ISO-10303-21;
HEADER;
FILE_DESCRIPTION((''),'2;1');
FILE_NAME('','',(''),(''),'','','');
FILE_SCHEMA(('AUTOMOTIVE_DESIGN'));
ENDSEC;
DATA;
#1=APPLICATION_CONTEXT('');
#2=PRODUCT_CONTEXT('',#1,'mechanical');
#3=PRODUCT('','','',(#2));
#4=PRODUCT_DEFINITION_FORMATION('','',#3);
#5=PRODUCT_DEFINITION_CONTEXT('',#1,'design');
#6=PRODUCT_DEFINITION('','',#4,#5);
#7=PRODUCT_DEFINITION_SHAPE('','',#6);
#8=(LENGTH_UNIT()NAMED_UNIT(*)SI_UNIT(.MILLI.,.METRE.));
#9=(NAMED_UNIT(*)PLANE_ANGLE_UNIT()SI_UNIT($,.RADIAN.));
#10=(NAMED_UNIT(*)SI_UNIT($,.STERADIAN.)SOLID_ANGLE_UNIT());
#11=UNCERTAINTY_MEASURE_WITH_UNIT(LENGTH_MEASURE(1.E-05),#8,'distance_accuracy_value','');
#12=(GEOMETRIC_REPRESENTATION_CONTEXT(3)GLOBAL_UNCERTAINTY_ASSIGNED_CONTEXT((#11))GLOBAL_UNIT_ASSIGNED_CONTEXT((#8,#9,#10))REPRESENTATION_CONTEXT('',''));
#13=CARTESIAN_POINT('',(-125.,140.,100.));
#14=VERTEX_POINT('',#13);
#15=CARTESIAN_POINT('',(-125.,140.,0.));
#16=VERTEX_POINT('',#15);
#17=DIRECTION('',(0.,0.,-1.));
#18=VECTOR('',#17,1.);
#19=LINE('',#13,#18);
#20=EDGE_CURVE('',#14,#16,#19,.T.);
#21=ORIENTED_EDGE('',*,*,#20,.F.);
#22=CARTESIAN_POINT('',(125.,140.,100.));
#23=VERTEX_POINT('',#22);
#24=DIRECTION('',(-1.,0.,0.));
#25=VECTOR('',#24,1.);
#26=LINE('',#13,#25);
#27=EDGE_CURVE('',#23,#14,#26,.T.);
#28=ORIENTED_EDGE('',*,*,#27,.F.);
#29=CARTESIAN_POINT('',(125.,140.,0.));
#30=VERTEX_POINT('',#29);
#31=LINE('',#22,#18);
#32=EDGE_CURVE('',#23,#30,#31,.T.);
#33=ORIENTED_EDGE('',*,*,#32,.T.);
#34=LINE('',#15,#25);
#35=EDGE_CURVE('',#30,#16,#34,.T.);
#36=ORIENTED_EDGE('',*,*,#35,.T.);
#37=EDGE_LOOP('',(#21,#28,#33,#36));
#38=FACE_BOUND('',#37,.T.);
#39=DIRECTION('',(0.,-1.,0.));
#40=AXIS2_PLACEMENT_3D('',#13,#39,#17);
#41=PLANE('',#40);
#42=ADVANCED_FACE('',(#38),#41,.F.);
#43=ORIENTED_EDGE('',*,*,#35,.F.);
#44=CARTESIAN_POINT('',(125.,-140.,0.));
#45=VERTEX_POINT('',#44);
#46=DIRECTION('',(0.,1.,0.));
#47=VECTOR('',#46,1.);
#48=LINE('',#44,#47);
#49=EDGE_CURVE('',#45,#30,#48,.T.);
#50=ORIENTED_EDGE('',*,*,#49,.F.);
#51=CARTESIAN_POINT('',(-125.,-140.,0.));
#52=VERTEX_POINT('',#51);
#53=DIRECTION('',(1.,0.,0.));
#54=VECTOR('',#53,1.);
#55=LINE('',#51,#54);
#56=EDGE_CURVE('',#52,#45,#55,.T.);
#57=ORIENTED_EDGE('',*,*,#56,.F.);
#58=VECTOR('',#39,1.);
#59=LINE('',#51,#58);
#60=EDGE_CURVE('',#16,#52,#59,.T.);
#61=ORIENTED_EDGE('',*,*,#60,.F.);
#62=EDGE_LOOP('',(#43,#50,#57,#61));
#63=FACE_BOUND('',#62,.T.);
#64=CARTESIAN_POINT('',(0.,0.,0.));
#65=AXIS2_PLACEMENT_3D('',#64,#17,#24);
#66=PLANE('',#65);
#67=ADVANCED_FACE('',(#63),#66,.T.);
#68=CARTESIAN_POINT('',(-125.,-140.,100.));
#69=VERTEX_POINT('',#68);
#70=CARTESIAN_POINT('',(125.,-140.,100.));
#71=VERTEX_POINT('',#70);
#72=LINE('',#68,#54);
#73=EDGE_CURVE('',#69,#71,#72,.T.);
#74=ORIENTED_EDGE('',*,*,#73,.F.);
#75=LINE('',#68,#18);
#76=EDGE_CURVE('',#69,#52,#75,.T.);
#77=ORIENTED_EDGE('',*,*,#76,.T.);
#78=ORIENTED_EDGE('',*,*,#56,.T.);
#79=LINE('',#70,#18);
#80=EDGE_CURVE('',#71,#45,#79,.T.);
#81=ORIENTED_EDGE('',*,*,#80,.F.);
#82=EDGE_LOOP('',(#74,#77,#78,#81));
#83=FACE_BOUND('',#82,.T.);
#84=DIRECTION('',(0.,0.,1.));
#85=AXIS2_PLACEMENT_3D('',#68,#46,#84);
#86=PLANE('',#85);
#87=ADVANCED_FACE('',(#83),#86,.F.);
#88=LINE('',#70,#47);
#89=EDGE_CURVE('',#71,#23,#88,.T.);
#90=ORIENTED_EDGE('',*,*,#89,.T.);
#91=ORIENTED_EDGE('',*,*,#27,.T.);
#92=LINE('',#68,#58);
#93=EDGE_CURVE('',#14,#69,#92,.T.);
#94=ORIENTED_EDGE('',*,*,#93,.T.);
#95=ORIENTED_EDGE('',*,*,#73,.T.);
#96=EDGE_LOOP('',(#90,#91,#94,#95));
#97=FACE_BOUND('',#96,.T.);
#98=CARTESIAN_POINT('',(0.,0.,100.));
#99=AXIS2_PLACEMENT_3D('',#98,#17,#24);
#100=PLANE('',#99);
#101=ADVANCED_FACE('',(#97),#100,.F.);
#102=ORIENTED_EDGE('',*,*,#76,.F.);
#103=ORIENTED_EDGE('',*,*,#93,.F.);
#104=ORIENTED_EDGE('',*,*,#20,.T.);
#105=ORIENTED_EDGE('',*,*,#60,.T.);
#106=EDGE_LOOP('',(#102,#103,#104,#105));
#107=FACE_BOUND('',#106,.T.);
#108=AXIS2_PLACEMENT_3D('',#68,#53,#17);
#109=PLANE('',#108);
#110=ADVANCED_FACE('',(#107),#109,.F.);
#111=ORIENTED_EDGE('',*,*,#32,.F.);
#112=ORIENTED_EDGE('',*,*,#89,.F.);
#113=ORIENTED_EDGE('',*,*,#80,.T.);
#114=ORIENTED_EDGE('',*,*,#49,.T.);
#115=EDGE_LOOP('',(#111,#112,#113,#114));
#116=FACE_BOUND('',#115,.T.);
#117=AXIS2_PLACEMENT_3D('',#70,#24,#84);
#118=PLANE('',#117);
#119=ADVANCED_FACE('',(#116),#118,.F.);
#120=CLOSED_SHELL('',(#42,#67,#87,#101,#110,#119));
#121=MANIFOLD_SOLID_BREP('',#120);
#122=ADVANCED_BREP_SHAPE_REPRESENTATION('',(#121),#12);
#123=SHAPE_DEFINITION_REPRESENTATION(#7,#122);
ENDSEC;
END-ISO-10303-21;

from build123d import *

# Parameters (mm, degrees)
SKETCH1_W           = 250
SKETCH1_H           = 280
BOSS_EXTRUDE1_DEPTH = 100


with BuildPart() as part:
    # Sketch1 → Boss-Extrude1 (new body)
    with BuildSketch(Plane.XY):
        Rectangle(SKETCH1_W, SKETCH1_H)
    extrude(amount=BOSS_EXTRUDE1_DEPTH)


solid = part.part
